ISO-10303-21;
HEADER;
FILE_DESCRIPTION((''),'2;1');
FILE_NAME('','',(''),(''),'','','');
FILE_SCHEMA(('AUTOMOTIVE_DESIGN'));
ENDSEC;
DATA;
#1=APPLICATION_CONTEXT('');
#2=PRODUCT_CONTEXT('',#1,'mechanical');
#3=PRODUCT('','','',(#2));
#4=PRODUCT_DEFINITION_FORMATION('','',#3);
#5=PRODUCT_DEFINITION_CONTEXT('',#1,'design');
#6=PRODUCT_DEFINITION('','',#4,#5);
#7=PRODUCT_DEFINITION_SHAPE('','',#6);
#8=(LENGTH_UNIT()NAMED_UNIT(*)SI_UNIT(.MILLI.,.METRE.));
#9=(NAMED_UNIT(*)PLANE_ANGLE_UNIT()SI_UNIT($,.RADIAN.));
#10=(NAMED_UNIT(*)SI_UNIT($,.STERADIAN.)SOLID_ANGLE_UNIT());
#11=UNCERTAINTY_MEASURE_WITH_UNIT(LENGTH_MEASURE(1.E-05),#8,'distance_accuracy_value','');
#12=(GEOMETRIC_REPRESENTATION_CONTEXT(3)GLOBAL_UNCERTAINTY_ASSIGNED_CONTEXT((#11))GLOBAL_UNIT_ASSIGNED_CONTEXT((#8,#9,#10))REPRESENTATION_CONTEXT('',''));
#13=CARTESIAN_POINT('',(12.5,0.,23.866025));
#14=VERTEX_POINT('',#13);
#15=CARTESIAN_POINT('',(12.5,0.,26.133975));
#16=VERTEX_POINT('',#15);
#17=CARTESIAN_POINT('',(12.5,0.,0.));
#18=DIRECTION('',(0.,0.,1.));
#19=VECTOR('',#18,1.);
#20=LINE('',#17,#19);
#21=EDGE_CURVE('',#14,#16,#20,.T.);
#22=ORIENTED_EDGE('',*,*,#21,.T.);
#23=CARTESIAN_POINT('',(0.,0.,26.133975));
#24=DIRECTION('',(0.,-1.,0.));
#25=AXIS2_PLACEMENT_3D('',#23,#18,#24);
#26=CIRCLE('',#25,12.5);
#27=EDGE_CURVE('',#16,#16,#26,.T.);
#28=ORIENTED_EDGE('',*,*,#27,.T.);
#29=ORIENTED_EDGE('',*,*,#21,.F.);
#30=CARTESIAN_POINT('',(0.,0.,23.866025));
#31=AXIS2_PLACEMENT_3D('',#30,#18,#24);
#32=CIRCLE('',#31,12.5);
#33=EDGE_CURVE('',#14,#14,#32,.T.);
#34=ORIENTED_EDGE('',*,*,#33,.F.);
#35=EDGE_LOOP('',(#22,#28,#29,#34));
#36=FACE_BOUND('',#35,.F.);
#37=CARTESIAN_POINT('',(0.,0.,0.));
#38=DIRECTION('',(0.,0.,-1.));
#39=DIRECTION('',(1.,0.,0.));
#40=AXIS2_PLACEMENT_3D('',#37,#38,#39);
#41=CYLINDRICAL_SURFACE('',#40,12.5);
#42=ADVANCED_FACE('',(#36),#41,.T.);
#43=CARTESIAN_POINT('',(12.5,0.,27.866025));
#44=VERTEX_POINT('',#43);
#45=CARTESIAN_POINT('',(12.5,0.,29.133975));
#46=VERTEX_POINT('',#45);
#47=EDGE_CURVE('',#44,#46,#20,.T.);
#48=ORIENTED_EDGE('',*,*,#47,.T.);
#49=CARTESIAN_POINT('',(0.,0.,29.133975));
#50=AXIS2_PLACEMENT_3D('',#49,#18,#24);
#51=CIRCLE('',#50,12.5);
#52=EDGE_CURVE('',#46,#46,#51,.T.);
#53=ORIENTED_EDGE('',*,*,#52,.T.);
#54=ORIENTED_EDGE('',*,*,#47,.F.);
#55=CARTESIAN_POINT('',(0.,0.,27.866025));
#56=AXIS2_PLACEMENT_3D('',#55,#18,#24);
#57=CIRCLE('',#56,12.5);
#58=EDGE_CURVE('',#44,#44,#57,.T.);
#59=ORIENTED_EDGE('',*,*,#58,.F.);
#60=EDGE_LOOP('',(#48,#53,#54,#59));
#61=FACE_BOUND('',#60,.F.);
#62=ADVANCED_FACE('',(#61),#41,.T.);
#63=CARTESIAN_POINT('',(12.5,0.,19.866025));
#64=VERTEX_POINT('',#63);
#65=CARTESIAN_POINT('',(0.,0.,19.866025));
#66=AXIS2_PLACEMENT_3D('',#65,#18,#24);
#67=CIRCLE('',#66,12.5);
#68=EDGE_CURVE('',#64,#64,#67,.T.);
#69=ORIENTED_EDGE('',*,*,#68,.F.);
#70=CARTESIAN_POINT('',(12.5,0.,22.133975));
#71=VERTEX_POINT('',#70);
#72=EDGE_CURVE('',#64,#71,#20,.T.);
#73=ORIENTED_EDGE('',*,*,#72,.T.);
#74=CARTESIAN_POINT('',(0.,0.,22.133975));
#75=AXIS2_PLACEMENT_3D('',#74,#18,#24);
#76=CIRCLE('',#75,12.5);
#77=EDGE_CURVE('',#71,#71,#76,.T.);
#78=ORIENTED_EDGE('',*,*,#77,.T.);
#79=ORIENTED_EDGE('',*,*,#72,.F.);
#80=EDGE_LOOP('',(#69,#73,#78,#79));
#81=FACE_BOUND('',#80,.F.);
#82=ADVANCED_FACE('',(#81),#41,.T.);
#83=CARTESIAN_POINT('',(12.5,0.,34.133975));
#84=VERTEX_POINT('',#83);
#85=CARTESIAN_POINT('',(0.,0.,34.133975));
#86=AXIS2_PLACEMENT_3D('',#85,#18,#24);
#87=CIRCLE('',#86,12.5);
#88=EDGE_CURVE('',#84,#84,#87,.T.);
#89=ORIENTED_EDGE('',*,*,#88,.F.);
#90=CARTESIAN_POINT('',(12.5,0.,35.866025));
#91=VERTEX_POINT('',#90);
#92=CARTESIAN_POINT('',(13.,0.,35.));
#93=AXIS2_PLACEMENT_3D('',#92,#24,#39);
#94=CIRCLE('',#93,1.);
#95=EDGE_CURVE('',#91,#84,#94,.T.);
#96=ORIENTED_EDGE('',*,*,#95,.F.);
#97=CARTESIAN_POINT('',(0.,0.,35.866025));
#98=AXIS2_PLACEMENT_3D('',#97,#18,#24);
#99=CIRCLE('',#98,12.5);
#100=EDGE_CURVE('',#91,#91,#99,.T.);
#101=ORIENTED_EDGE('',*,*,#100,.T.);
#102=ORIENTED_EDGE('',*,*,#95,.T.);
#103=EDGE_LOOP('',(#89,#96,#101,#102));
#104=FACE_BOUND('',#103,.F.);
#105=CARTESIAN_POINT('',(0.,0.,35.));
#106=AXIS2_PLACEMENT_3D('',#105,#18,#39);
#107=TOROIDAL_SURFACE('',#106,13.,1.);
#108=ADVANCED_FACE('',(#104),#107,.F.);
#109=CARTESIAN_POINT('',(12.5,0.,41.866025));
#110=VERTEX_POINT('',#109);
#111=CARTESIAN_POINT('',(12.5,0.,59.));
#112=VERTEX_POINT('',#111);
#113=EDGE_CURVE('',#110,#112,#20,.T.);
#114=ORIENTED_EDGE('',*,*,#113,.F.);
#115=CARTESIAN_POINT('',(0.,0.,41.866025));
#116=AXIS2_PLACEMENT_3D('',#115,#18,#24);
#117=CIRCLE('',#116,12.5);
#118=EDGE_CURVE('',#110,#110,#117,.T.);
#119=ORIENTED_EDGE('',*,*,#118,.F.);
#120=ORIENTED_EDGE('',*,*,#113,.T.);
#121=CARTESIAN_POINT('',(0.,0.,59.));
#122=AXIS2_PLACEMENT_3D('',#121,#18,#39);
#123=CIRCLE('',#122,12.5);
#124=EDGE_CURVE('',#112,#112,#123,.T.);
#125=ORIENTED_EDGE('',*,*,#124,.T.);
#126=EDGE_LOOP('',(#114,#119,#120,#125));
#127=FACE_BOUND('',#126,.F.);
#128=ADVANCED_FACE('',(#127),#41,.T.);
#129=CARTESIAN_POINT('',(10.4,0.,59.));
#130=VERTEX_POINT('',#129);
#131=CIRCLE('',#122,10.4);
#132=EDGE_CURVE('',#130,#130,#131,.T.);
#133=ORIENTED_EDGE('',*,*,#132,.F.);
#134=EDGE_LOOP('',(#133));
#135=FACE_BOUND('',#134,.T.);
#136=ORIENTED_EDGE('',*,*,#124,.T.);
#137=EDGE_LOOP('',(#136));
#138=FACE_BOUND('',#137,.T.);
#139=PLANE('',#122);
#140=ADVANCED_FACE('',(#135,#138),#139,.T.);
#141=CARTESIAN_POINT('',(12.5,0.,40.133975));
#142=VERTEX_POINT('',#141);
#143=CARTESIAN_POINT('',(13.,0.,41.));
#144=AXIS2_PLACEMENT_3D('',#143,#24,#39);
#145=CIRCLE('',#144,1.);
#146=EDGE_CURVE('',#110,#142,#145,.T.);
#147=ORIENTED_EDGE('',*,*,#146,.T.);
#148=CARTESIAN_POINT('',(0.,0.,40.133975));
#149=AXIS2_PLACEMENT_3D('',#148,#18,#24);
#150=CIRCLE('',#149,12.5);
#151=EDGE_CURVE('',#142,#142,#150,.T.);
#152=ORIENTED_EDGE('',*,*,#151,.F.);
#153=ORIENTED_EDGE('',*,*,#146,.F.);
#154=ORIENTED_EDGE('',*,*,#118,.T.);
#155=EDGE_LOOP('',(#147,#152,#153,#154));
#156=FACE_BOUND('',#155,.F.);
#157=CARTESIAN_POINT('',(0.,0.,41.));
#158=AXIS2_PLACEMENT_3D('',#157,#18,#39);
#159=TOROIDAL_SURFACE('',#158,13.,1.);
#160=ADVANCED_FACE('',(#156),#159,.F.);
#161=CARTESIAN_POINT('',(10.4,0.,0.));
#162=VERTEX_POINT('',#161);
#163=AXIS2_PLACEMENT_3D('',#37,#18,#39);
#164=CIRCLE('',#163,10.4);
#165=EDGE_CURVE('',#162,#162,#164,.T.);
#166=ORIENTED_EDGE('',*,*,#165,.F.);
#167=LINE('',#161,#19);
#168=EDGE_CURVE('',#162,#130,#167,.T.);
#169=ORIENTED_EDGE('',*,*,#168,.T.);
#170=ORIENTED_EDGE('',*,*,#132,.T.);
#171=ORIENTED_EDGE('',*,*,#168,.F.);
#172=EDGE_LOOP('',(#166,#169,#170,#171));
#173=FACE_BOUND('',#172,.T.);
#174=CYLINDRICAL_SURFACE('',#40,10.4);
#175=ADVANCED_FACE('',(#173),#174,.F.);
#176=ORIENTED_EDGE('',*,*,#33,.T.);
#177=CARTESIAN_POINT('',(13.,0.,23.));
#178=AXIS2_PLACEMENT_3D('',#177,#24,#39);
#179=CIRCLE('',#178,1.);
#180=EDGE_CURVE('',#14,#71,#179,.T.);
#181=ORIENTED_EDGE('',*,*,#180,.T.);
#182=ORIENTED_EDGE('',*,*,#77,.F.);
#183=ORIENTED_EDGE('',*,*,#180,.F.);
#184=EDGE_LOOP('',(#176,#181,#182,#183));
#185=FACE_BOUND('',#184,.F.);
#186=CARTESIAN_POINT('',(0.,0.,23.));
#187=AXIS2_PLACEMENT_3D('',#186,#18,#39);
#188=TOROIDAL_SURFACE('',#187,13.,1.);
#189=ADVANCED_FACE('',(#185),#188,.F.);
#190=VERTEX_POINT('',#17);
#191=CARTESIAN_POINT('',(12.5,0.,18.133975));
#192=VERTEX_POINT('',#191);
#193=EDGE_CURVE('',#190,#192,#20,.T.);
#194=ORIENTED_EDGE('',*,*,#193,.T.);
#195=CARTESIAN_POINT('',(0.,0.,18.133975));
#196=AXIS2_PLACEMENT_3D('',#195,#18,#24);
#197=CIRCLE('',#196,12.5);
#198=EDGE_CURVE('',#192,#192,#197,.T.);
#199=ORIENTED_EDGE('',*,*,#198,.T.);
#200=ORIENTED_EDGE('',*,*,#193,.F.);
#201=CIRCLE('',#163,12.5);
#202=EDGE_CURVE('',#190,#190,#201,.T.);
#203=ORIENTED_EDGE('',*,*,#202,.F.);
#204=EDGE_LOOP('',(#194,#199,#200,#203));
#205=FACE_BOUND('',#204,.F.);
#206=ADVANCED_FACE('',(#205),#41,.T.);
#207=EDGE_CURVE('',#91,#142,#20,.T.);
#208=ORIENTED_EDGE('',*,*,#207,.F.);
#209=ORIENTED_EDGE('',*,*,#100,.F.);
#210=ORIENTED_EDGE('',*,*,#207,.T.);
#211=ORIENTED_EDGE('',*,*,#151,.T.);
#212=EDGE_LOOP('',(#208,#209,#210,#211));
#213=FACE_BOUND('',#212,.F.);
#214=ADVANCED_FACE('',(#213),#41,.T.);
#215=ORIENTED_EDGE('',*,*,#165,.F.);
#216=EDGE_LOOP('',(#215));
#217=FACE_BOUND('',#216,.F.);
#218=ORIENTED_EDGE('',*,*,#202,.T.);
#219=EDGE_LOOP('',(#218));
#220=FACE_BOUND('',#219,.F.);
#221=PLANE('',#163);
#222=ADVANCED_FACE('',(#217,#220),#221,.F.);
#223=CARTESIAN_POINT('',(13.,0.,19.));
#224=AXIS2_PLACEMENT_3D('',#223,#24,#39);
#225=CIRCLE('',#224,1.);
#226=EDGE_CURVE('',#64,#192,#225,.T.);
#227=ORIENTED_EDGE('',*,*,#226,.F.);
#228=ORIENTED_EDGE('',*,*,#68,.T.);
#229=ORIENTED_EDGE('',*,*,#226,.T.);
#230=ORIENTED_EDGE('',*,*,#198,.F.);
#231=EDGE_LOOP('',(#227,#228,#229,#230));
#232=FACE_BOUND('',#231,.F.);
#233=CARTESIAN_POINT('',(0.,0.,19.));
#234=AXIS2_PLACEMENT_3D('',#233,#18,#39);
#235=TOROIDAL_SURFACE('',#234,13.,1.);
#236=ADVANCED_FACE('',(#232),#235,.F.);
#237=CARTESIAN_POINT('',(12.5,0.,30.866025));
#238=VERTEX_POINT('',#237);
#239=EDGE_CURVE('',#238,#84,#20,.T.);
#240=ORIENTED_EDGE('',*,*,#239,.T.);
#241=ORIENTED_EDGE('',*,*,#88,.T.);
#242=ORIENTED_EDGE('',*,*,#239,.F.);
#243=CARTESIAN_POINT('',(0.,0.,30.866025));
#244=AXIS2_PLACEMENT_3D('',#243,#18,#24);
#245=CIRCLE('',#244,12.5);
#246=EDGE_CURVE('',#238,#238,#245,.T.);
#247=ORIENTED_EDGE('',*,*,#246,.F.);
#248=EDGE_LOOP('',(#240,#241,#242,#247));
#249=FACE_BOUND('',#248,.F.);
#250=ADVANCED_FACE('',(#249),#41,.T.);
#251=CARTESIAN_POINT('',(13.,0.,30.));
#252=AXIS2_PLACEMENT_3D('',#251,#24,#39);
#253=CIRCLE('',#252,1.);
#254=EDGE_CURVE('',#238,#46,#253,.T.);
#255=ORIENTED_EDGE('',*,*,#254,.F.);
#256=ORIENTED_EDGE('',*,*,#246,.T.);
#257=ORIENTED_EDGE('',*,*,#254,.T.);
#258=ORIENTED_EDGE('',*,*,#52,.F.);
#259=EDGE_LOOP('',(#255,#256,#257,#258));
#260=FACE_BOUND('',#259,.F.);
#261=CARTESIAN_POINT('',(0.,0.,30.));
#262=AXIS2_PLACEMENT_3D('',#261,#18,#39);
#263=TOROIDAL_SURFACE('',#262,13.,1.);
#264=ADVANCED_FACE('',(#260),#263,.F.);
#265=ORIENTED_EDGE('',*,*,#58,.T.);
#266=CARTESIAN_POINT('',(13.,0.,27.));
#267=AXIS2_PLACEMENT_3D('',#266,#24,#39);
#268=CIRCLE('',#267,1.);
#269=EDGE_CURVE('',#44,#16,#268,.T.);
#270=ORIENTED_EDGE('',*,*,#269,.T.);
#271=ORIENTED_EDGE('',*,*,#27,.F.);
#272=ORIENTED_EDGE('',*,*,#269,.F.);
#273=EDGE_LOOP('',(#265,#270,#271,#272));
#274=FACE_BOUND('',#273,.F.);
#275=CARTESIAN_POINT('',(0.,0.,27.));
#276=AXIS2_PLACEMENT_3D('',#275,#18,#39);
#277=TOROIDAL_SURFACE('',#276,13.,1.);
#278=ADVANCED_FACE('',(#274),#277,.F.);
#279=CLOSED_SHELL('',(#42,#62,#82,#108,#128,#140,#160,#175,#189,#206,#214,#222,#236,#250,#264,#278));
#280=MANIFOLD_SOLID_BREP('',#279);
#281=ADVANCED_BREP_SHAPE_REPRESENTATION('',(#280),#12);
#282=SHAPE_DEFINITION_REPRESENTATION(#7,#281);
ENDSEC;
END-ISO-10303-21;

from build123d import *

# Parameters (mm, degrees)
TORUS001002001_R  = 1
TORUS001002_R     = 1
TORUS001001_R     = 1
TORUS001_R        = 1
TORUS_R           = 1
TORUS001002002_R  = 1
CYLINDER001_R     = 10.4
CYLINDER001_DEPTH = 59
CYLINDER_R        = 12.5
CYLINDER_DEPTH    = 59


with BuildPart() as torus001002001:
    # Torus001002001 → Torus001002001 (revolve)
    with BuildSketch(Plane(origin=(0, 0, 19), x_dir=(1, 0, 0), z_dir=(0, -1, 0))):
        with Locations((13, 0)):
            Circle(TORUS001002001_R)
    revolve(axis=Axis((0, 0, 19), (0, 0, 1)))


with BuildPart() as torus001002:
    # Torus001002 → Torus001002 (revolve)
    with BuildSketch(Plane(origin=(0, 0, 23), x_dir=(1, 0, 0), z_dir=(0, -1, 0))):
        with Locations((13, 0)):
            Circle(TORUS001002_R)
    revolve(axis=Axis((0, 0, 23), (0, 0, 1)))


with BuildPart() as torus001001:
    # Torus001001 → Torus001001 (revolve)
    with BuildSketch(Plane(origin=(0, 0, 27), x_dir=(1, 0, 0), z_dir=(0, -1, 0))):
        with Locations((13, 0)):
            Circle(TORUS001001_R)
    revolve(axis=Axis((0, 0, 27), (0, 0, 1)))


with BuildPart() as torus001:
    # Torus001 → Torus001 (revolve)
    with BuildSketch(Plane(origin=(0, 0, 30), x_dir=(1, 0, 0), z_dir=(0, -1, 0))):
        with Locations((13, 0)):
            Circle(TORUS001_R)
    revolve(axis=Axis((0, 0, 30), (0, 0, 1)))


with BuildPart() as torus:
    # Torus → Torus (revolve)
    with BuildSketch(Plane(origin=(0, 0, 35), x_dir=(1, 0, 0), z_dir=(0, -1, 0))):
        with Locations((13, 0)):
            Circle(TORUS_R)
    revolve(axis=Axis((0, 0, 35), (0, 0, 1)))


with BuildPart() as torus001002002:
    # Torus001002002 → Torus001002002 (revolve)
    with BuildSketch(Plane(origin=(0, 0, 41), x_dir=(1, 0, 0), z_dir=(0, -1, 0))):
        with Locations((13, 0)):
            Circle(TORUS001002002_R)
    revolve(axis=Axis((0, 0, 41), (0, 0, 1)))


with BuildPart() as cylinder001:
    # Cylinder001 → Cylinder001 (new body)
    with BuildSketch(Plane.XY):
        Circle(CYLINDER001_R)
    extrude(amount=CYLINDER001_DEPTH)


with BuildPart() as cut006:
    # Cylinder → Cylinder (new body)
    with BuildSketch(Plane.XY):
        Circle(CYLINDER_R)
    extrude(amount=CYLINDER_DEPTH)

    # Cut: cut Cylinder001
    add(cylinder001.part, mode=Mode.SUBTRACT)

    # Cut001: cut Torus001002002
    add(torus001002002.part, mode=Mode.SUBTRACT)

    # Cut002: cut Torus
    add(torus.part, mode=Mode.SUBTRACT)

    # Cut003: cut Torus001
    add(torus001.part, mode=Mode.SUBTRACT)

    # Cut004: cut Torus001001
    add(torus001001.part, mode=Mode.SUBTRACT)

    # Cut005: cut Torus001002
    add(torus001002.part, mode=Mode.SUBTRACT)

    # Cut006: cut Torus001002001
    add(torus001002001.part, mode=Mode.SUBTRACT)


solid = cut006.part
